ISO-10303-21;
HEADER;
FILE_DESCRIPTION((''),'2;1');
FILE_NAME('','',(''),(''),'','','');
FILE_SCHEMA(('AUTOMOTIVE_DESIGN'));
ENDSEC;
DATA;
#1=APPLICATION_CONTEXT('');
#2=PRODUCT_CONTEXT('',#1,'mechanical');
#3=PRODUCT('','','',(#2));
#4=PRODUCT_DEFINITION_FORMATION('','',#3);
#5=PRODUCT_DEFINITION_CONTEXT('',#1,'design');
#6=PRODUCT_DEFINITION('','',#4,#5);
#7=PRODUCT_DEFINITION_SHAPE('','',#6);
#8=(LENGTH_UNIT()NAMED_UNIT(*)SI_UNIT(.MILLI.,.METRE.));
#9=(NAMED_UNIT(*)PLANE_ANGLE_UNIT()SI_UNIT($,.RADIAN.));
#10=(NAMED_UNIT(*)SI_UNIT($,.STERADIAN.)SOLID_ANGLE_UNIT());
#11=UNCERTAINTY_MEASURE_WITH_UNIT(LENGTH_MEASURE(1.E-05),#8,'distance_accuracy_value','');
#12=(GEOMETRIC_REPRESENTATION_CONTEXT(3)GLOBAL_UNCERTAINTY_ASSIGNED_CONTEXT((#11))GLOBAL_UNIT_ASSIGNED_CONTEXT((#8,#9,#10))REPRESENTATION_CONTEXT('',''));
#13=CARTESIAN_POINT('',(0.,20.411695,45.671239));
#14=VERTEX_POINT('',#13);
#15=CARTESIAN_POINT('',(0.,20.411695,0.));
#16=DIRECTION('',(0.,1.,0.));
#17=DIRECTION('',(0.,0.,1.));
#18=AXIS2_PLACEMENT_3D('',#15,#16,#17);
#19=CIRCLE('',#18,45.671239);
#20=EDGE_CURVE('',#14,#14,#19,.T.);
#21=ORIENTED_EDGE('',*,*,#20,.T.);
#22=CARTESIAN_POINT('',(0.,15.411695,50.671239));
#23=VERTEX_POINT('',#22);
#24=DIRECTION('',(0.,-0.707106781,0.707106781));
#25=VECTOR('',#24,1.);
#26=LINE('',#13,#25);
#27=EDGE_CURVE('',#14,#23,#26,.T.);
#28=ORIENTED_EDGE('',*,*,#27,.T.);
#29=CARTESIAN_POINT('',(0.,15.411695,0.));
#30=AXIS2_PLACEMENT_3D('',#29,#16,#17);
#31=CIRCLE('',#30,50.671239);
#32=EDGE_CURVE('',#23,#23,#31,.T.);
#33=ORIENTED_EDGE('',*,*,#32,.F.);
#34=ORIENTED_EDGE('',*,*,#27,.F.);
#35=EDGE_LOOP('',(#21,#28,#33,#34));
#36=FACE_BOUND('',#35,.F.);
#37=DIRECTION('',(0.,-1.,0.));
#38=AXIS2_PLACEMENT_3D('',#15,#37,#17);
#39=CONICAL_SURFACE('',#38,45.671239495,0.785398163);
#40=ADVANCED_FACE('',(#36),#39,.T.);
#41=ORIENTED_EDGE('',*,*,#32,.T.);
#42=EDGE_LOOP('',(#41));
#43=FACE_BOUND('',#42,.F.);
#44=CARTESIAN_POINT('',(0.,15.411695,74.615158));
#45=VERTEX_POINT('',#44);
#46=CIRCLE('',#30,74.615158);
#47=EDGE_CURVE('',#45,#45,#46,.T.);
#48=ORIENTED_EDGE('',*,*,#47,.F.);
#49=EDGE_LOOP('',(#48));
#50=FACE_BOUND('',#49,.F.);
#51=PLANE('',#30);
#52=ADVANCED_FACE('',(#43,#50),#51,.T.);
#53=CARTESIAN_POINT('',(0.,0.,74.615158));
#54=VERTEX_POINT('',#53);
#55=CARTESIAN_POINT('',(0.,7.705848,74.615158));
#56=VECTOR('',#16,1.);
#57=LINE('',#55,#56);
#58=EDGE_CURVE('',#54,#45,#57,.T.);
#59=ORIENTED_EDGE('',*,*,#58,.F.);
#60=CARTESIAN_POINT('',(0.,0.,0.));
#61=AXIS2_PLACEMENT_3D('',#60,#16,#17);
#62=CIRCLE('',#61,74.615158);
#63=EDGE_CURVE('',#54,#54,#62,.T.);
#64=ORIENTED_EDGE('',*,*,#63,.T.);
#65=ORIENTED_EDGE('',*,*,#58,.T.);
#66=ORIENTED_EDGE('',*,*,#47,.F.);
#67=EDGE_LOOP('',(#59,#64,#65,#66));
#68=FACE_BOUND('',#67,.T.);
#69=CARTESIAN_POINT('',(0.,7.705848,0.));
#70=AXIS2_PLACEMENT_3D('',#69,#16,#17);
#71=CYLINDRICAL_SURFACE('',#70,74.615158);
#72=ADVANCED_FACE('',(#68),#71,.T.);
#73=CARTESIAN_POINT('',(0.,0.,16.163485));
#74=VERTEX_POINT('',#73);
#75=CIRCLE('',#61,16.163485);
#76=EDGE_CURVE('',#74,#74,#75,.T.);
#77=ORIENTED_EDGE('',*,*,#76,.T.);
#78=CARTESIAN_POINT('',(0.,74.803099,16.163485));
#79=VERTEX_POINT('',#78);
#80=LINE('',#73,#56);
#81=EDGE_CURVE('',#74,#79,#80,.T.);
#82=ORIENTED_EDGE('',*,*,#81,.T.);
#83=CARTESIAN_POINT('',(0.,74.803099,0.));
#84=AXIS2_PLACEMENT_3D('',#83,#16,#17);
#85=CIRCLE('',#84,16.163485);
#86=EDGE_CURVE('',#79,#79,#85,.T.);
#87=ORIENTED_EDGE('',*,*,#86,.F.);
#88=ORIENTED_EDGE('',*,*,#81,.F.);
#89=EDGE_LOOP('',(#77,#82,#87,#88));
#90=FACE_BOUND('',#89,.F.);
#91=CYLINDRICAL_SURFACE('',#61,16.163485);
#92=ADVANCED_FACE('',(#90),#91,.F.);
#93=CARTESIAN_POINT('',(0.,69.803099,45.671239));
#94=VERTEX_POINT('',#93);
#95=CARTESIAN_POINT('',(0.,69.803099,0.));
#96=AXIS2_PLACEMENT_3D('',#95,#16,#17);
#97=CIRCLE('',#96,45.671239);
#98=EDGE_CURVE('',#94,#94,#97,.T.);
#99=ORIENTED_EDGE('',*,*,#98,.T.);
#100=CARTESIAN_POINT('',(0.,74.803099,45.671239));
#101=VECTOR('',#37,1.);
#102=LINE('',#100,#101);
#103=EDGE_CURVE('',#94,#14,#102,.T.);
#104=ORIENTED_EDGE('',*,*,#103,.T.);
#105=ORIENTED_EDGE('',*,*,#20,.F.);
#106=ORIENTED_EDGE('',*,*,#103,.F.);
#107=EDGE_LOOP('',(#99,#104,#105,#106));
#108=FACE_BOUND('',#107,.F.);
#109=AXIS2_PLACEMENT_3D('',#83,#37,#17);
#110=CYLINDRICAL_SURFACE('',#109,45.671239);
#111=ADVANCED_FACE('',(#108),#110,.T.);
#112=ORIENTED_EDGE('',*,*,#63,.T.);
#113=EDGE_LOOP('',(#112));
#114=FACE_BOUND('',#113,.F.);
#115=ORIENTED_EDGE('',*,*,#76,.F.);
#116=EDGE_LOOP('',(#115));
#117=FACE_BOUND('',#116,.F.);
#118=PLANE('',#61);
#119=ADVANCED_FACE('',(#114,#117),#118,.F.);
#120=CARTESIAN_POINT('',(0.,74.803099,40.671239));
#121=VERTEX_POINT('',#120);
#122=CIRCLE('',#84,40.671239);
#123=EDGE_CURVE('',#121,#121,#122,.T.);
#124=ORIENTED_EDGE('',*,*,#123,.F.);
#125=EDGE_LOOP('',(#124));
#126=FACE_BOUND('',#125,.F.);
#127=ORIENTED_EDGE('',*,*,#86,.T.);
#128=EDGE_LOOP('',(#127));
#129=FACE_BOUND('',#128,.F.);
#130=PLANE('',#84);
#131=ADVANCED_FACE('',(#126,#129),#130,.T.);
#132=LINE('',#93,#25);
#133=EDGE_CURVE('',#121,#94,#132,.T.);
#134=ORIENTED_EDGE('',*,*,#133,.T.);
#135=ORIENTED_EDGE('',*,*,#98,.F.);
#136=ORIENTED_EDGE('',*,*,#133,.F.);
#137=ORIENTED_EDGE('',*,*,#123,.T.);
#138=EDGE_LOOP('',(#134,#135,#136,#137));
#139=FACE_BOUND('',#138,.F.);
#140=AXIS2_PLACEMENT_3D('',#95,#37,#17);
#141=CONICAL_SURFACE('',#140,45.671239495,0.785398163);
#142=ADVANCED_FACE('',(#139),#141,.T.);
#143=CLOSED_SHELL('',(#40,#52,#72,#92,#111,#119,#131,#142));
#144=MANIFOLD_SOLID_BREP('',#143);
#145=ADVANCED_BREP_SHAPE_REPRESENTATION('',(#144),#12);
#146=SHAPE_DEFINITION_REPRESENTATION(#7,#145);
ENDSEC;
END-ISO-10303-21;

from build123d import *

# Parameters (mm, degrees)
F0_W    = 15.4116954654
F0_H    = 29.5077543706
F0_W_2  = 59.3914035708
F0_H_2  = 28.9439186454
F2_SIZE = 5


with BuildPart() as f1:
    # F0 (on Right) → F1 (revolve)
    with BuildSketch(Plane.YZ):
        with Locations((7.7058477327, 30.91736231)):
            Rectangle(F0_W, F0_H)
        with Locations((45.1073972508, 30.91736231)):
            Rectangle(F0_W_2, F0_H)
        with Locations((7.7058477327, 60.143198818)):
            Rectangle(F0_W, F0_H_2)
    revolve(axis=Axis((0, 37.4015495181, 0), (0, 1, 0)))

    # F2
    f2_edges = [f1.edges().sort_by_distance(p)[0] for p in [
        (0, 15.411695, -45.671239),
        (0, 74.803099, -45.671239),
    ]]
    chamfer(f2_edges, length=F2_SIZE)


solid = f1.part
